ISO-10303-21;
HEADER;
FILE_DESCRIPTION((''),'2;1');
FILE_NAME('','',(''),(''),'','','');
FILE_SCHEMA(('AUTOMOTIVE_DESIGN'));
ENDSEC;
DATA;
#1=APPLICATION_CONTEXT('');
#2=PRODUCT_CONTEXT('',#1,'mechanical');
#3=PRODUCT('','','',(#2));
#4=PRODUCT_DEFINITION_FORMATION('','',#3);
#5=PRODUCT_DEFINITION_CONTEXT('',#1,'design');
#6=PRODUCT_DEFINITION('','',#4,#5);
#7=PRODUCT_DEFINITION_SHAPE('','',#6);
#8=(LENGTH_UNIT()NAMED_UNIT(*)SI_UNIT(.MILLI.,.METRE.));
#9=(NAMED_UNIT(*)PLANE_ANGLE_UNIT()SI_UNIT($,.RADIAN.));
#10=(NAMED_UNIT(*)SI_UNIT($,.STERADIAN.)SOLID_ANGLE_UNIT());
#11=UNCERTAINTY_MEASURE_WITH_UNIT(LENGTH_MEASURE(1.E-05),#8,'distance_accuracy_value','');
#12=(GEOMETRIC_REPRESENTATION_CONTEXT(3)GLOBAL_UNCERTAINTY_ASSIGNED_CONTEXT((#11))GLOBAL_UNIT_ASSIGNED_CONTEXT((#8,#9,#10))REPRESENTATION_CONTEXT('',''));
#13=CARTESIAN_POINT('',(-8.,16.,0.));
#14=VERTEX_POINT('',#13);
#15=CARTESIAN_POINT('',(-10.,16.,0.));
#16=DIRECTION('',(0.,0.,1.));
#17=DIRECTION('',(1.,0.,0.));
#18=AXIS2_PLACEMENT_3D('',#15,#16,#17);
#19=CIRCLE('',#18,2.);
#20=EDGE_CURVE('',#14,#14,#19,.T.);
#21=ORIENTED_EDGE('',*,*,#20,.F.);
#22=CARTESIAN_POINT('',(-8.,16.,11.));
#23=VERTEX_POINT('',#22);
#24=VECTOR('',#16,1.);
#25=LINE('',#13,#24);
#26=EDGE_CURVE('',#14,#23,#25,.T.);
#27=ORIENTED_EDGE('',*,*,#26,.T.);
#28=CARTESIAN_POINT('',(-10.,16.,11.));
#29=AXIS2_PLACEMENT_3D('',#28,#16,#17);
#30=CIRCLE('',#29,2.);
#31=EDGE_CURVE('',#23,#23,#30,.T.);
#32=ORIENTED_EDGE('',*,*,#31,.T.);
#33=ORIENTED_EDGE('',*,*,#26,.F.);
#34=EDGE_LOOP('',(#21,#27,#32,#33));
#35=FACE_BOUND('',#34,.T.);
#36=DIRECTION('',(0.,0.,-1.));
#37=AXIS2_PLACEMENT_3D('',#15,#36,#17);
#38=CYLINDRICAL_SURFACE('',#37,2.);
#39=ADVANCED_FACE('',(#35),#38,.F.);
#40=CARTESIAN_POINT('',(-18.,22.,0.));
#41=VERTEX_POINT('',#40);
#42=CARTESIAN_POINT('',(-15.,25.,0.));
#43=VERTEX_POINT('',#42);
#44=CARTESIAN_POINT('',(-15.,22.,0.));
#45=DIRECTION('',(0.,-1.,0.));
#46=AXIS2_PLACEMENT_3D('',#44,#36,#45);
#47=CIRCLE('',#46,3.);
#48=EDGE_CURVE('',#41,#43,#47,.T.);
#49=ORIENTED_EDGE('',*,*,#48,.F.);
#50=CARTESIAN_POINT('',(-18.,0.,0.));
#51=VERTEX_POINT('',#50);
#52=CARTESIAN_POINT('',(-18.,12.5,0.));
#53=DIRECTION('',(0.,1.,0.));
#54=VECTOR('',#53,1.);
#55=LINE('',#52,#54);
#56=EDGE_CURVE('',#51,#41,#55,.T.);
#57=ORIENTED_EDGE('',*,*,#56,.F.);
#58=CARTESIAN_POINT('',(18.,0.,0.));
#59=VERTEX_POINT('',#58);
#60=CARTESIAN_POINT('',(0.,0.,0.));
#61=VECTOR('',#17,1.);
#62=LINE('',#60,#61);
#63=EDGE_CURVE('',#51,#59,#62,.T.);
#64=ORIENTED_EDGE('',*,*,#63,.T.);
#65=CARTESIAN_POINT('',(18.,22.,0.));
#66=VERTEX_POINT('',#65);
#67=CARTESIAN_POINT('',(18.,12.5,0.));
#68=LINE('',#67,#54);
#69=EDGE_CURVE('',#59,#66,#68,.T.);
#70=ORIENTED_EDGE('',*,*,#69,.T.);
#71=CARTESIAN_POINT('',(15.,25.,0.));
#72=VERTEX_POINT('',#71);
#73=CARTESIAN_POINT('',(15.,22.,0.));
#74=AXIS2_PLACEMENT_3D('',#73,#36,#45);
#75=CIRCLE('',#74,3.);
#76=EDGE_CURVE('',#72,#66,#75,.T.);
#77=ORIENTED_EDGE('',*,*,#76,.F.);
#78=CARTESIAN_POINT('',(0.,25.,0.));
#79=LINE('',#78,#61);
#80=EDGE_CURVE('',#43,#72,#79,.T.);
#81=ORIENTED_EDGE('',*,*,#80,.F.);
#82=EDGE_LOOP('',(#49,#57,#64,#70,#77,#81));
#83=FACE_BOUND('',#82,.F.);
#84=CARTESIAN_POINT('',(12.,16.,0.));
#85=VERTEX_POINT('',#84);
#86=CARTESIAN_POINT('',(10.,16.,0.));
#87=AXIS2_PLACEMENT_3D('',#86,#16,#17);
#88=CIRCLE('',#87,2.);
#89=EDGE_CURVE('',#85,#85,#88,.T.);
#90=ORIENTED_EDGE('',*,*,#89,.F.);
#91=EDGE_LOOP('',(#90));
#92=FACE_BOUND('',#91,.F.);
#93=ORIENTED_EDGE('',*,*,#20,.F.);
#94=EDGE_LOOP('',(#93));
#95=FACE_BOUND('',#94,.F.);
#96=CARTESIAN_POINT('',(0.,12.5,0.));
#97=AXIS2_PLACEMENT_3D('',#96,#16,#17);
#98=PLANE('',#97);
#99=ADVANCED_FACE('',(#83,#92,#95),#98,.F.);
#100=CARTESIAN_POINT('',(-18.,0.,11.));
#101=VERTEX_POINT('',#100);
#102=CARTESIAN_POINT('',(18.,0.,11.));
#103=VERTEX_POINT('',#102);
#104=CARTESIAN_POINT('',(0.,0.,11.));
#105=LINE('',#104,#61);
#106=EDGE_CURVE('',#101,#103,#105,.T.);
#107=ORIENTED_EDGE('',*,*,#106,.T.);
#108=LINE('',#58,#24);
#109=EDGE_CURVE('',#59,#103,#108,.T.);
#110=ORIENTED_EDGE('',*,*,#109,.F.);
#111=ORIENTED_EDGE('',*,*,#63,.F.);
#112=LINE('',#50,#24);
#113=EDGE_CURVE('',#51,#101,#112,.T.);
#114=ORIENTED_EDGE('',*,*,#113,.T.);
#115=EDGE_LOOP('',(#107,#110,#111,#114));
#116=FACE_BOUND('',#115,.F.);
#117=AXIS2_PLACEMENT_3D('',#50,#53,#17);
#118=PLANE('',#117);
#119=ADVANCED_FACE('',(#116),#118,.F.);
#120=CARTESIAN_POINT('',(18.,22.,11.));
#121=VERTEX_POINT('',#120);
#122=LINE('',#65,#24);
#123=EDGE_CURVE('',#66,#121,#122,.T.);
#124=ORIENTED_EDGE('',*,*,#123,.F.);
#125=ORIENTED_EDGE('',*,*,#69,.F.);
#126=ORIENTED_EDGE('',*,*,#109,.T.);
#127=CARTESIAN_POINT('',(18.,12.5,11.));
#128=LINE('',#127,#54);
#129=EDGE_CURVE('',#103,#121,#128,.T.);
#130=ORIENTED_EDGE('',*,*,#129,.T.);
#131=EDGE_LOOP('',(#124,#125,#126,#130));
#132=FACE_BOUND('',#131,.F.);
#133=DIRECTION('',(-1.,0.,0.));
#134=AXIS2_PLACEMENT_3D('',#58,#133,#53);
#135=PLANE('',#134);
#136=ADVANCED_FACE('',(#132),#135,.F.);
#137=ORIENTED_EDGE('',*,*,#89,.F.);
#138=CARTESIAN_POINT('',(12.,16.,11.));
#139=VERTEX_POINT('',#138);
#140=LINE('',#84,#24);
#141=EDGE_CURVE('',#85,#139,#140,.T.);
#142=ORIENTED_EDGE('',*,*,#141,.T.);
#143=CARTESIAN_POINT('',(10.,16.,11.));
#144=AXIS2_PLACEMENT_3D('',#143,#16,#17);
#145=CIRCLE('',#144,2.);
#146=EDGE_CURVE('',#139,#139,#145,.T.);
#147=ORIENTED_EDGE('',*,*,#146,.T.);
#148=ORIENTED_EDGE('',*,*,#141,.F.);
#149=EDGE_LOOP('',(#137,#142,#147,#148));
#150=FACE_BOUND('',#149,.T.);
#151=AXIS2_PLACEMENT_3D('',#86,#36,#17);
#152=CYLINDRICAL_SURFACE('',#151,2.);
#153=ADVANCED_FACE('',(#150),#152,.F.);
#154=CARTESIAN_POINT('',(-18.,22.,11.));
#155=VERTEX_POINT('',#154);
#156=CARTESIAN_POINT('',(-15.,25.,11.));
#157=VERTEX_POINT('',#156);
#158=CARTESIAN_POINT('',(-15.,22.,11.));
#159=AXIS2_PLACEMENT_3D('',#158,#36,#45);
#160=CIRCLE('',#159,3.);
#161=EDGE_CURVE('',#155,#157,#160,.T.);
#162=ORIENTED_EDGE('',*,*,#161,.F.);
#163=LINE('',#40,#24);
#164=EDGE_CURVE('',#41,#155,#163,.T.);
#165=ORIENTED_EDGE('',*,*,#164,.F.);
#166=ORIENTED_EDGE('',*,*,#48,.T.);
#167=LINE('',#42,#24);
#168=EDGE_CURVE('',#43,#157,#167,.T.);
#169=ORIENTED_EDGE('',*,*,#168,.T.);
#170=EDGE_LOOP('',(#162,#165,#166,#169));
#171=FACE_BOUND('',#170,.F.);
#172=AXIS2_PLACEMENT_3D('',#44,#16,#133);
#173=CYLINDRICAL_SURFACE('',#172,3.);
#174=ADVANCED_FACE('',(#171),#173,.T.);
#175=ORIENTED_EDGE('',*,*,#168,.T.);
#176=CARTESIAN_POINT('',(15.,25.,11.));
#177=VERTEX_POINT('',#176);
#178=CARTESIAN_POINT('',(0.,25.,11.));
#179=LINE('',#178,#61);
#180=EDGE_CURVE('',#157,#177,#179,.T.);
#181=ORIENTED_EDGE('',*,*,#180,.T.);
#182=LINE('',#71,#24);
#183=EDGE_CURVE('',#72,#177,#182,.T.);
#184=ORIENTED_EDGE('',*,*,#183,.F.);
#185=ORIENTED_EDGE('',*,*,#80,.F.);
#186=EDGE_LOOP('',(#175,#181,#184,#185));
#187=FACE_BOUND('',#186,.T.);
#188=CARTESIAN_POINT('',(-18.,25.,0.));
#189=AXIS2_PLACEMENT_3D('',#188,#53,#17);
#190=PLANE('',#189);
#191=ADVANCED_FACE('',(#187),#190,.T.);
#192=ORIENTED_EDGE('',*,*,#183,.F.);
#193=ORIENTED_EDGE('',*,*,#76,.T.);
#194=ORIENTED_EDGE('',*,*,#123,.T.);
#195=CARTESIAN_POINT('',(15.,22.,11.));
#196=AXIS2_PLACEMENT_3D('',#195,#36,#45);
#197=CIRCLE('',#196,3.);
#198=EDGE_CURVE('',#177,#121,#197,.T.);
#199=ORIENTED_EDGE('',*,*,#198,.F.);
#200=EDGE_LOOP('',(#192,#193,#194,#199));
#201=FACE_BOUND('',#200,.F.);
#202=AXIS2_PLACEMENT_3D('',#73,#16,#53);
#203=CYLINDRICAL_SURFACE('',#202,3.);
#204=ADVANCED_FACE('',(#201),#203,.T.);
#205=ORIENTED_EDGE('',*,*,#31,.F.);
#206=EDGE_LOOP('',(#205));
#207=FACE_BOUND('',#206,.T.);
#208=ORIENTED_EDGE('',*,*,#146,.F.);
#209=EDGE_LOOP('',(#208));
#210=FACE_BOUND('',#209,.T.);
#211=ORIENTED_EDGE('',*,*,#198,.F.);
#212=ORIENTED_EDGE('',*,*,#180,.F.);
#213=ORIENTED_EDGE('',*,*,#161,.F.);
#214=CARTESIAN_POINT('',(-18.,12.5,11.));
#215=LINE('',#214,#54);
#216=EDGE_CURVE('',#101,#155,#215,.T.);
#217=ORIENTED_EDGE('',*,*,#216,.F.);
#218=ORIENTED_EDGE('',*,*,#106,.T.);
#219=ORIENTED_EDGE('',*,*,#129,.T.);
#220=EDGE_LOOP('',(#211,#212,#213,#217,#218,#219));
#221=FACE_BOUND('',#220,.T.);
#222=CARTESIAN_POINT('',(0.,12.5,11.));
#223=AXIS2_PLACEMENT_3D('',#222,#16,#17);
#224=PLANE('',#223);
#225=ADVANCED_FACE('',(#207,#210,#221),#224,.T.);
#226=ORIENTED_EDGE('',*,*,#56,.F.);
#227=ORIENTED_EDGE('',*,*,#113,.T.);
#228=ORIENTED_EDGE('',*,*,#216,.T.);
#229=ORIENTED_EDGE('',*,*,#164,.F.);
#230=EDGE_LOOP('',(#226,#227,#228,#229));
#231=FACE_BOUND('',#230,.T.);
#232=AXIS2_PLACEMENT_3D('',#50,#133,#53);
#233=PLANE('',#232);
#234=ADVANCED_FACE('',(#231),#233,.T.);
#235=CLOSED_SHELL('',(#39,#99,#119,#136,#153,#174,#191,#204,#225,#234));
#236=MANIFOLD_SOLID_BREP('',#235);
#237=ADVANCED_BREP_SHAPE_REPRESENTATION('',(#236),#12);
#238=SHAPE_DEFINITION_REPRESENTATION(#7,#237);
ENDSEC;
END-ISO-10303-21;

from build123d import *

# Parameters (mm, degrees)
SKETCH_W  = 36
SKETCH_H  = 25
SKETCH_R  = 2
PAD_DEPTH = 11
FILLET_R  = 3


with BuildPart() as part:
    # Sketch → Pad (new body)
    with BuildSketch(Plane.XY):
        with Locations((0, 12.5)):
            Rectangle(SKETCH_W, SKETCH_H)
        with Locations((10, 16)):
            Circle(SKETCH_R, mode=Mode.SUBTRACT)
        with Locations((-10, 16)):
            Circle(SKETCH_R, mode=Mode.SUBTRACT)
    extrude(amount=PAD_DEPTH)

    # Fillet
    fillet_edges = [part.edges().sort_by_distance(p)[0] for p in [
        (-18, 25, 5.5),
        (18, 25, 5.5),
    ]]
    fillet(fillet_edges, radius=FILLET_R)


solid = part.part
